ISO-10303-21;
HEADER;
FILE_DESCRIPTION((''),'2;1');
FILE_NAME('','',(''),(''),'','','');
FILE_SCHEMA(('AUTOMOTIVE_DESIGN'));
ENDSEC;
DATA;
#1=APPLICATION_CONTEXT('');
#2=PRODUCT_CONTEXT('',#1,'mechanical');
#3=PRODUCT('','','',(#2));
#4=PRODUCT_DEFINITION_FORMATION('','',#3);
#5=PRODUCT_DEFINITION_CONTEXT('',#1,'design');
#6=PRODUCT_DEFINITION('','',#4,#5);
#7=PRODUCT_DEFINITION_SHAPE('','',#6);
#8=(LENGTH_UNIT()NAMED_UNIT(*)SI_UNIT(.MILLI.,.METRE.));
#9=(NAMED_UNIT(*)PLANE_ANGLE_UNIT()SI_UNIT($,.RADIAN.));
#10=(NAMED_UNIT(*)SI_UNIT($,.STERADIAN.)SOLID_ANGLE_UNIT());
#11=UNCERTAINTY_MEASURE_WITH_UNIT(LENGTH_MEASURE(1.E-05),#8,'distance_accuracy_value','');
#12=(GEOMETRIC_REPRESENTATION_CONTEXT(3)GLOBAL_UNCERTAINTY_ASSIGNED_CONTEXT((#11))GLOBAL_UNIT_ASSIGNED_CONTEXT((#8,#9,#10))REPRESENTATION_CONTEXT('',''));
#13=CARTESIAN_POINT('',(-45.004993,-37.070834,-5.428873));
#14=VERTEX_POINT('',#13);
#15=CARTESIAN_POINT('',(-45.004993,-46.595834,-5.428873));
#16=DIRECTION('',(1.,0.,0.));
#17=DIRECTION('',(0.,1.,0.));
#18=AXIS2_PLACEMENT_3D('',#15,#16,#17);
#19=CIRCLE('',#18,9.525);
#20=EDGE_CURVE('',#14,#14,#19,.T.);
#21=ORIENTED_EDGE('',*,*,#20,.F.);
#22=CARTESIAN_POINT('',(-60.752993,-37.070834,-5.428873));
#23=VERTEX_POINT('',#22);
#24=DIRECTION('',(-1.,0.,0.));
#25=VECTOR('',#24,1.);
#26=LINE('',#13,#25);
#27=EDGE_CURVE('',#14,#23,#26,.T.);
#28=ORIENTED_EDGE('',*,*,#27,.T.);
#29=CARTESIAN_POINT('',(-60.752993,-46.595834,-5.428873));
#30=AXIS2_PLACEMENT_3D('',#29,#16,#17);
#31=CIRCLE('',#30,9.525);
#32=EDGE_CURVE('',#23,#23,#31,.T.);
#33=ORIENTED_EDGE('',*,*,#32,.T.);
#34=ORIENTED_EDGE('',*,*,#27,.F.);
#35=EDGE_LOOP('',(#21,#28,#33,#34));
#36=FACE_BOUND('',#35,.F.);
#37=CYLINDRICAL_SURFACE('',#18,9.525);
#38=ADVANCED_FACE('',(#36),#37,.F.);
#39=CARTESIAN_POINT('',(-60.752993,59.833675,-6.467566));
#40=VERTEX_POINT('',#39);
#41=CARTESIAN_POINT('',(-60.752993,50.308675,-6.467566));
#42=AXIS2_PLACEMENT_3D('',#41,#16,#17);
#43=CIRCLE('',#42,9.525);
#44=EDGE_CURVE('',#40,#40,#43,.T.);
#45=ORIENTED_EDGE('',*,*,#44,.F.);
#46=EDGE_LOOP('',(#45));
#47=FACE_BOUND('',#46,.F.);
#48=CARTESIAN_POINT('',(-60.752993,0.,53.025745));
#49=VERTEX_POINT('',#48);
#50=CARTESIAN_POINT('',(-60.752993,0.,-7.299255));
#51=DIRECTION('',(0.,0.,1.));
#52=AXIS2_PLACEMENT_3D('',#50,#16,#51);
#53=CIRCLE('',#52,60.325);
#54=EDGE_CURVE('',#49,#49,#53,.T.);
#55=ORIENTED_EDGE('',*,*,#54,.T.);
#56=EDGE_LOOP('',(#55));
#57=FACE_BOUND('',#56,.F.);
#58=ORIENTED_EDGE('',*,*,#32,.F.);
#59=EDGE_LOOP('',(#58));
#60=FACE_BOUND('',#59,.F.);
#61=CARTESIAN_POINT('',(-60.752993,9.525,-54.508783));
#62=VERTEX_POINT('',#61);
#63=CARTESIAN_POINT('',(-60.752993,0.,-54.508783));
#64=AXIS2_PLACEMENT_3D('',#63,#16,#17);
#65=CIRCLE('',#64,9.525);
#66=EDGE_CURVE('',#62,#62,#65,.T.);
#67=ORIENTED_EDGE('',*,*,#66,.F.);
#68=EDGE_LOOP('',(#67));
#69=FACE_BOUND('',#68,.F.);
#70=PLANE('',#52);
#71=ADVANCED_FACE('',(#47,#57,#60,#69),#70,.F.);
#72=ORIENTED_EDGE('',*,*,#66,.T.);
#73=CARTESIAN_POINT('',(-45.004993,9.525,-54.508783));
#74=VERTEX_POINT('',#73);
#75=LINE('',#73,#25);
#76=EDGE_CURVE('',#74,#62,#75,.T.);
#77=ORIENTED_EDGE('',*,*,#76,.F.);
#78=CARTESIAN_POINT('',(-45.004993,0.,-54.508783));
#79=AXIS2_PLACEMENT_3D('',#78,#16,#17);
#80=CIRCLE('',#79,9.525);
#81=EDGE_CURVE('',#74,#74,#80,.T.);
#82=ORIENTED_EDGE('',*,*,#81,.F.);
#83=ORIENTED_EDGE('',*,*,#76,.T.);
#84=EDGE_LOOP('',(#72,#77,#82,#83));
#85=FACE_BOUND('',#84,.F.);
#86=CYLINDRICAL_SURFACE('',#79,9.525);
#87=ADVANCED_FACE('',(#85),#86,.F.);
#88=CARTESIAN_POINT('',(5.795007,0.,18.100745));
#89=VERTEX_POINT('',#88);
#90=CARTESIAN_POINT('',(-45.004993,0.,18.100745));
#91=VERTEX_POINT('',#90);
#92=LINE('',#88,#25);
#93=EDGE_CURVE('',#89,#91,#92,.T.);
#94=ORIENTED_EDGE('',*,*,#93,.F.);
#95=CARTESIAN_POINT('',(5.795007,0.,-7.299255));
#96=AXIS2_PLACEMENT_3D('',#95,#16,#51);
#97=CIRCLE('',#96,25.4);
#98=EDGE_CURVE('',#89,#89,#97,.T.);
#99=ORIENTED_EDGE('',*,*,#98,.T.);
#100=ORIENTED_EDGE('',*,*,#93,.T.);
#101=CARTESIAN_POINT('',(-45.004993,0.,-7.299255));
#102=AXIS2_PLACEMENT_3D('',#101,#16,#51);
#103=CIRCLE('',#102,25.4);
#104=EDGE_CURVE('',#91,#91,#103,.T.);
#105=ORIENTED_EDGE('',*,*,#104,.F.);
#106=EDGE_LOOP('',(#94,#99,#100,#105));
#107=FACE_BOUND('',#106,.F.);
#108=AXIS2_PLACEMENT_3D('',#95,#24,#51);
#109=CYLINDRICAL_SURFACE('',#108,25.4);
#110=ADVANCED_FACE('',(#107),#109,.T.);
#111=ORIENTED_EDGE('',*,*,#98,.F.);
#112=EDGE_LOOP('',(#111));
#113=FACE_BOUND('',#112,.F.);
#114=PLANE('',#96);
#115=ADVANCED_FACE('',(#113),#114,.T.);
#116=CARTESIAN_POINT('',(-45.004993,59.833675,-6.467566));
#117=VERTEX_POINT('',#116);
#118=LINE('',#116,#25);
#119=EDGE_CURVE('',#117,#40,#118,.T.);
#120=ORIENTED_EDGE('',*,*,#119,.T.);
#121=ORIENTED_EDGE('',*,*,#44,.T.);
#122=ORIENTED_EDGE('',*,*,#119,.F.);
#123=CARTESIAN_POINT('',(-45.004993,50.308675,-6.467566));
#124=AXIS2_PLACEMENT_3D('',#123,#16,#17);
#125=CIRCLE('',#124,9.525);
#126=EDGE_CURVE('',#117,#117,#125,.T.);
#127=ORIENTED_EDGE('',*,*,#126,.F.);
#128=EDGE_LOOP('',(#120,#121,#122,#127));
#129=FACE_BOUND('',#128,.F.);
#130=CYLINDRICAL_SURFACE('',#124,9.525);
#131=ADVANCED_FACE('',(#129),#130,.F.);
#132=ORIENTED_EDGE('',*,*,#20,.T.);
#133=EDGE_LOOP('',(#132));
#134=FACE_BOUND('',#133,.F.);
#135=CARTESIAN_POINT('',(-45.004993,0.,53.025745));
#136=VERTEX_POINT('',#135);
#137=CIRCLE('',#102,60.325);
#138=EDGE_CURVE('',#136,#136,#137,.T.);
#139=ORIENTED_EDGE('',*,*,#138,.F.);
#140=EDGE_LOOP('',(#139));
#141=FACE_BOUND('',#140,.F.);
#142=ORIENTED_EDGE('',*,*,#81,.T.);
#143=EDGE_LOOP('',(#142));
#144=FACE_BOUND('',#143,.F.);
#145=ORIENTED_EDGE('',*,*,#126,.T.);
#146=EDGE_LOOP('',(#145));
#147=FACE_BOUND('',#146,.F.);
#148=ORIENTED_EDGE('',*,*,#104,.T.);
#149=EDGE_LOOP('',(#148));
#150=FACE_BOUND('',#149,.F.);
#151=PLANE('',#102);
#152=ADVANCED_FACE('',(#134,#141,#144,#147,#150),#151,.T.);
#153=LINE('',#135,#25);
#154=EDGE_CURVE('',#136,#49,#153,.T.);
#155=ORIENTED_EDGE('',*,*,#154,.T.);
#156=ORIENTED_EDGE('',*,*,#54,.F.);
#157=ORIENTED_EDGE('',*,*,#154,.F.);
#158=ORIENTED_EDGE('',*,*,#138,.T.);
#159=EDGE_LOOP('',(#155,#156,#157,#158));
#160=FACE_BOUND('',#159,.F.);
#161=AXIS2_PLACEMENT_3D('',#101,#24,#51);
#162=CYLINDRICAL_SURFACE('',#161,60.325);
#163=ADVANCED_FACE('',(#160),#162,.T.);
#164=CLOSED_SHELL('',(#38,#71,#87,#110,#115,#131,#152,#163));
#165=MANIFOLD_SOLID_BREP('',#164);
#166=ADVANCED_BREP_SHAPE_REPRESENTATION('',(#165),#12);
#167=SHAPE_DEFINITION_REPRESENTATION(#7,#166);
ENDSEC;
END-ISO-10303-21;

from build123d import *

# Parameters (mm, degrees)
F2_R     = 9.525
F3_DEPTH = 508.508
F4_R     = 9.525
F5_DEPTH = 25.4
F6_R     = 9.525
F7_DEPTH = 25.4


with BuildPart() as f1:
    # F0 (on Front) → F1 (revolve)
    with BuildSketch(Plane.XZ):
        Polygon((-45.004993, 53.025745), (-60.752993, 53.025745), (-60.752993, -7.299255), (5.795007, -7.299255), (5.795007, 18.100745), (-45.004993, 18.100745), align=None)
    revolve(axis=Axis((-27.478993, 0, -7.299255), (1, 0, 0)))

    # F2 (on face) → F3 (cut)
    with BuildSketch(Plane.YZ.offset(-45.004993)):
        with Locations((50.308675, -6.467566)):
            Circle(F2_R)
    extrude(amount=-F3_DEPTH, mode=Mode.SUBTRACT)

    # F4 (on face) → F5 (cut)
    with BuildSketch(Plane.YZ.offset(-45.004993)):
        with Locations((-46.595834, -5.428873)):
            Circle(F4_R)
    extrude(amount=-F5_DEPTH, mode=Mode.SUBTRACT)

    # F6 (on face) → F7 (cut)
    with BuildSketch(Plane.YZ.offset(-45.004993)):
        with Locations((0, -54.508783)):
            Circle(F6_R)
    extrude(amount=-F7_DEPTH, mode=Mode.SUBTRACT)


solid = f1.part
